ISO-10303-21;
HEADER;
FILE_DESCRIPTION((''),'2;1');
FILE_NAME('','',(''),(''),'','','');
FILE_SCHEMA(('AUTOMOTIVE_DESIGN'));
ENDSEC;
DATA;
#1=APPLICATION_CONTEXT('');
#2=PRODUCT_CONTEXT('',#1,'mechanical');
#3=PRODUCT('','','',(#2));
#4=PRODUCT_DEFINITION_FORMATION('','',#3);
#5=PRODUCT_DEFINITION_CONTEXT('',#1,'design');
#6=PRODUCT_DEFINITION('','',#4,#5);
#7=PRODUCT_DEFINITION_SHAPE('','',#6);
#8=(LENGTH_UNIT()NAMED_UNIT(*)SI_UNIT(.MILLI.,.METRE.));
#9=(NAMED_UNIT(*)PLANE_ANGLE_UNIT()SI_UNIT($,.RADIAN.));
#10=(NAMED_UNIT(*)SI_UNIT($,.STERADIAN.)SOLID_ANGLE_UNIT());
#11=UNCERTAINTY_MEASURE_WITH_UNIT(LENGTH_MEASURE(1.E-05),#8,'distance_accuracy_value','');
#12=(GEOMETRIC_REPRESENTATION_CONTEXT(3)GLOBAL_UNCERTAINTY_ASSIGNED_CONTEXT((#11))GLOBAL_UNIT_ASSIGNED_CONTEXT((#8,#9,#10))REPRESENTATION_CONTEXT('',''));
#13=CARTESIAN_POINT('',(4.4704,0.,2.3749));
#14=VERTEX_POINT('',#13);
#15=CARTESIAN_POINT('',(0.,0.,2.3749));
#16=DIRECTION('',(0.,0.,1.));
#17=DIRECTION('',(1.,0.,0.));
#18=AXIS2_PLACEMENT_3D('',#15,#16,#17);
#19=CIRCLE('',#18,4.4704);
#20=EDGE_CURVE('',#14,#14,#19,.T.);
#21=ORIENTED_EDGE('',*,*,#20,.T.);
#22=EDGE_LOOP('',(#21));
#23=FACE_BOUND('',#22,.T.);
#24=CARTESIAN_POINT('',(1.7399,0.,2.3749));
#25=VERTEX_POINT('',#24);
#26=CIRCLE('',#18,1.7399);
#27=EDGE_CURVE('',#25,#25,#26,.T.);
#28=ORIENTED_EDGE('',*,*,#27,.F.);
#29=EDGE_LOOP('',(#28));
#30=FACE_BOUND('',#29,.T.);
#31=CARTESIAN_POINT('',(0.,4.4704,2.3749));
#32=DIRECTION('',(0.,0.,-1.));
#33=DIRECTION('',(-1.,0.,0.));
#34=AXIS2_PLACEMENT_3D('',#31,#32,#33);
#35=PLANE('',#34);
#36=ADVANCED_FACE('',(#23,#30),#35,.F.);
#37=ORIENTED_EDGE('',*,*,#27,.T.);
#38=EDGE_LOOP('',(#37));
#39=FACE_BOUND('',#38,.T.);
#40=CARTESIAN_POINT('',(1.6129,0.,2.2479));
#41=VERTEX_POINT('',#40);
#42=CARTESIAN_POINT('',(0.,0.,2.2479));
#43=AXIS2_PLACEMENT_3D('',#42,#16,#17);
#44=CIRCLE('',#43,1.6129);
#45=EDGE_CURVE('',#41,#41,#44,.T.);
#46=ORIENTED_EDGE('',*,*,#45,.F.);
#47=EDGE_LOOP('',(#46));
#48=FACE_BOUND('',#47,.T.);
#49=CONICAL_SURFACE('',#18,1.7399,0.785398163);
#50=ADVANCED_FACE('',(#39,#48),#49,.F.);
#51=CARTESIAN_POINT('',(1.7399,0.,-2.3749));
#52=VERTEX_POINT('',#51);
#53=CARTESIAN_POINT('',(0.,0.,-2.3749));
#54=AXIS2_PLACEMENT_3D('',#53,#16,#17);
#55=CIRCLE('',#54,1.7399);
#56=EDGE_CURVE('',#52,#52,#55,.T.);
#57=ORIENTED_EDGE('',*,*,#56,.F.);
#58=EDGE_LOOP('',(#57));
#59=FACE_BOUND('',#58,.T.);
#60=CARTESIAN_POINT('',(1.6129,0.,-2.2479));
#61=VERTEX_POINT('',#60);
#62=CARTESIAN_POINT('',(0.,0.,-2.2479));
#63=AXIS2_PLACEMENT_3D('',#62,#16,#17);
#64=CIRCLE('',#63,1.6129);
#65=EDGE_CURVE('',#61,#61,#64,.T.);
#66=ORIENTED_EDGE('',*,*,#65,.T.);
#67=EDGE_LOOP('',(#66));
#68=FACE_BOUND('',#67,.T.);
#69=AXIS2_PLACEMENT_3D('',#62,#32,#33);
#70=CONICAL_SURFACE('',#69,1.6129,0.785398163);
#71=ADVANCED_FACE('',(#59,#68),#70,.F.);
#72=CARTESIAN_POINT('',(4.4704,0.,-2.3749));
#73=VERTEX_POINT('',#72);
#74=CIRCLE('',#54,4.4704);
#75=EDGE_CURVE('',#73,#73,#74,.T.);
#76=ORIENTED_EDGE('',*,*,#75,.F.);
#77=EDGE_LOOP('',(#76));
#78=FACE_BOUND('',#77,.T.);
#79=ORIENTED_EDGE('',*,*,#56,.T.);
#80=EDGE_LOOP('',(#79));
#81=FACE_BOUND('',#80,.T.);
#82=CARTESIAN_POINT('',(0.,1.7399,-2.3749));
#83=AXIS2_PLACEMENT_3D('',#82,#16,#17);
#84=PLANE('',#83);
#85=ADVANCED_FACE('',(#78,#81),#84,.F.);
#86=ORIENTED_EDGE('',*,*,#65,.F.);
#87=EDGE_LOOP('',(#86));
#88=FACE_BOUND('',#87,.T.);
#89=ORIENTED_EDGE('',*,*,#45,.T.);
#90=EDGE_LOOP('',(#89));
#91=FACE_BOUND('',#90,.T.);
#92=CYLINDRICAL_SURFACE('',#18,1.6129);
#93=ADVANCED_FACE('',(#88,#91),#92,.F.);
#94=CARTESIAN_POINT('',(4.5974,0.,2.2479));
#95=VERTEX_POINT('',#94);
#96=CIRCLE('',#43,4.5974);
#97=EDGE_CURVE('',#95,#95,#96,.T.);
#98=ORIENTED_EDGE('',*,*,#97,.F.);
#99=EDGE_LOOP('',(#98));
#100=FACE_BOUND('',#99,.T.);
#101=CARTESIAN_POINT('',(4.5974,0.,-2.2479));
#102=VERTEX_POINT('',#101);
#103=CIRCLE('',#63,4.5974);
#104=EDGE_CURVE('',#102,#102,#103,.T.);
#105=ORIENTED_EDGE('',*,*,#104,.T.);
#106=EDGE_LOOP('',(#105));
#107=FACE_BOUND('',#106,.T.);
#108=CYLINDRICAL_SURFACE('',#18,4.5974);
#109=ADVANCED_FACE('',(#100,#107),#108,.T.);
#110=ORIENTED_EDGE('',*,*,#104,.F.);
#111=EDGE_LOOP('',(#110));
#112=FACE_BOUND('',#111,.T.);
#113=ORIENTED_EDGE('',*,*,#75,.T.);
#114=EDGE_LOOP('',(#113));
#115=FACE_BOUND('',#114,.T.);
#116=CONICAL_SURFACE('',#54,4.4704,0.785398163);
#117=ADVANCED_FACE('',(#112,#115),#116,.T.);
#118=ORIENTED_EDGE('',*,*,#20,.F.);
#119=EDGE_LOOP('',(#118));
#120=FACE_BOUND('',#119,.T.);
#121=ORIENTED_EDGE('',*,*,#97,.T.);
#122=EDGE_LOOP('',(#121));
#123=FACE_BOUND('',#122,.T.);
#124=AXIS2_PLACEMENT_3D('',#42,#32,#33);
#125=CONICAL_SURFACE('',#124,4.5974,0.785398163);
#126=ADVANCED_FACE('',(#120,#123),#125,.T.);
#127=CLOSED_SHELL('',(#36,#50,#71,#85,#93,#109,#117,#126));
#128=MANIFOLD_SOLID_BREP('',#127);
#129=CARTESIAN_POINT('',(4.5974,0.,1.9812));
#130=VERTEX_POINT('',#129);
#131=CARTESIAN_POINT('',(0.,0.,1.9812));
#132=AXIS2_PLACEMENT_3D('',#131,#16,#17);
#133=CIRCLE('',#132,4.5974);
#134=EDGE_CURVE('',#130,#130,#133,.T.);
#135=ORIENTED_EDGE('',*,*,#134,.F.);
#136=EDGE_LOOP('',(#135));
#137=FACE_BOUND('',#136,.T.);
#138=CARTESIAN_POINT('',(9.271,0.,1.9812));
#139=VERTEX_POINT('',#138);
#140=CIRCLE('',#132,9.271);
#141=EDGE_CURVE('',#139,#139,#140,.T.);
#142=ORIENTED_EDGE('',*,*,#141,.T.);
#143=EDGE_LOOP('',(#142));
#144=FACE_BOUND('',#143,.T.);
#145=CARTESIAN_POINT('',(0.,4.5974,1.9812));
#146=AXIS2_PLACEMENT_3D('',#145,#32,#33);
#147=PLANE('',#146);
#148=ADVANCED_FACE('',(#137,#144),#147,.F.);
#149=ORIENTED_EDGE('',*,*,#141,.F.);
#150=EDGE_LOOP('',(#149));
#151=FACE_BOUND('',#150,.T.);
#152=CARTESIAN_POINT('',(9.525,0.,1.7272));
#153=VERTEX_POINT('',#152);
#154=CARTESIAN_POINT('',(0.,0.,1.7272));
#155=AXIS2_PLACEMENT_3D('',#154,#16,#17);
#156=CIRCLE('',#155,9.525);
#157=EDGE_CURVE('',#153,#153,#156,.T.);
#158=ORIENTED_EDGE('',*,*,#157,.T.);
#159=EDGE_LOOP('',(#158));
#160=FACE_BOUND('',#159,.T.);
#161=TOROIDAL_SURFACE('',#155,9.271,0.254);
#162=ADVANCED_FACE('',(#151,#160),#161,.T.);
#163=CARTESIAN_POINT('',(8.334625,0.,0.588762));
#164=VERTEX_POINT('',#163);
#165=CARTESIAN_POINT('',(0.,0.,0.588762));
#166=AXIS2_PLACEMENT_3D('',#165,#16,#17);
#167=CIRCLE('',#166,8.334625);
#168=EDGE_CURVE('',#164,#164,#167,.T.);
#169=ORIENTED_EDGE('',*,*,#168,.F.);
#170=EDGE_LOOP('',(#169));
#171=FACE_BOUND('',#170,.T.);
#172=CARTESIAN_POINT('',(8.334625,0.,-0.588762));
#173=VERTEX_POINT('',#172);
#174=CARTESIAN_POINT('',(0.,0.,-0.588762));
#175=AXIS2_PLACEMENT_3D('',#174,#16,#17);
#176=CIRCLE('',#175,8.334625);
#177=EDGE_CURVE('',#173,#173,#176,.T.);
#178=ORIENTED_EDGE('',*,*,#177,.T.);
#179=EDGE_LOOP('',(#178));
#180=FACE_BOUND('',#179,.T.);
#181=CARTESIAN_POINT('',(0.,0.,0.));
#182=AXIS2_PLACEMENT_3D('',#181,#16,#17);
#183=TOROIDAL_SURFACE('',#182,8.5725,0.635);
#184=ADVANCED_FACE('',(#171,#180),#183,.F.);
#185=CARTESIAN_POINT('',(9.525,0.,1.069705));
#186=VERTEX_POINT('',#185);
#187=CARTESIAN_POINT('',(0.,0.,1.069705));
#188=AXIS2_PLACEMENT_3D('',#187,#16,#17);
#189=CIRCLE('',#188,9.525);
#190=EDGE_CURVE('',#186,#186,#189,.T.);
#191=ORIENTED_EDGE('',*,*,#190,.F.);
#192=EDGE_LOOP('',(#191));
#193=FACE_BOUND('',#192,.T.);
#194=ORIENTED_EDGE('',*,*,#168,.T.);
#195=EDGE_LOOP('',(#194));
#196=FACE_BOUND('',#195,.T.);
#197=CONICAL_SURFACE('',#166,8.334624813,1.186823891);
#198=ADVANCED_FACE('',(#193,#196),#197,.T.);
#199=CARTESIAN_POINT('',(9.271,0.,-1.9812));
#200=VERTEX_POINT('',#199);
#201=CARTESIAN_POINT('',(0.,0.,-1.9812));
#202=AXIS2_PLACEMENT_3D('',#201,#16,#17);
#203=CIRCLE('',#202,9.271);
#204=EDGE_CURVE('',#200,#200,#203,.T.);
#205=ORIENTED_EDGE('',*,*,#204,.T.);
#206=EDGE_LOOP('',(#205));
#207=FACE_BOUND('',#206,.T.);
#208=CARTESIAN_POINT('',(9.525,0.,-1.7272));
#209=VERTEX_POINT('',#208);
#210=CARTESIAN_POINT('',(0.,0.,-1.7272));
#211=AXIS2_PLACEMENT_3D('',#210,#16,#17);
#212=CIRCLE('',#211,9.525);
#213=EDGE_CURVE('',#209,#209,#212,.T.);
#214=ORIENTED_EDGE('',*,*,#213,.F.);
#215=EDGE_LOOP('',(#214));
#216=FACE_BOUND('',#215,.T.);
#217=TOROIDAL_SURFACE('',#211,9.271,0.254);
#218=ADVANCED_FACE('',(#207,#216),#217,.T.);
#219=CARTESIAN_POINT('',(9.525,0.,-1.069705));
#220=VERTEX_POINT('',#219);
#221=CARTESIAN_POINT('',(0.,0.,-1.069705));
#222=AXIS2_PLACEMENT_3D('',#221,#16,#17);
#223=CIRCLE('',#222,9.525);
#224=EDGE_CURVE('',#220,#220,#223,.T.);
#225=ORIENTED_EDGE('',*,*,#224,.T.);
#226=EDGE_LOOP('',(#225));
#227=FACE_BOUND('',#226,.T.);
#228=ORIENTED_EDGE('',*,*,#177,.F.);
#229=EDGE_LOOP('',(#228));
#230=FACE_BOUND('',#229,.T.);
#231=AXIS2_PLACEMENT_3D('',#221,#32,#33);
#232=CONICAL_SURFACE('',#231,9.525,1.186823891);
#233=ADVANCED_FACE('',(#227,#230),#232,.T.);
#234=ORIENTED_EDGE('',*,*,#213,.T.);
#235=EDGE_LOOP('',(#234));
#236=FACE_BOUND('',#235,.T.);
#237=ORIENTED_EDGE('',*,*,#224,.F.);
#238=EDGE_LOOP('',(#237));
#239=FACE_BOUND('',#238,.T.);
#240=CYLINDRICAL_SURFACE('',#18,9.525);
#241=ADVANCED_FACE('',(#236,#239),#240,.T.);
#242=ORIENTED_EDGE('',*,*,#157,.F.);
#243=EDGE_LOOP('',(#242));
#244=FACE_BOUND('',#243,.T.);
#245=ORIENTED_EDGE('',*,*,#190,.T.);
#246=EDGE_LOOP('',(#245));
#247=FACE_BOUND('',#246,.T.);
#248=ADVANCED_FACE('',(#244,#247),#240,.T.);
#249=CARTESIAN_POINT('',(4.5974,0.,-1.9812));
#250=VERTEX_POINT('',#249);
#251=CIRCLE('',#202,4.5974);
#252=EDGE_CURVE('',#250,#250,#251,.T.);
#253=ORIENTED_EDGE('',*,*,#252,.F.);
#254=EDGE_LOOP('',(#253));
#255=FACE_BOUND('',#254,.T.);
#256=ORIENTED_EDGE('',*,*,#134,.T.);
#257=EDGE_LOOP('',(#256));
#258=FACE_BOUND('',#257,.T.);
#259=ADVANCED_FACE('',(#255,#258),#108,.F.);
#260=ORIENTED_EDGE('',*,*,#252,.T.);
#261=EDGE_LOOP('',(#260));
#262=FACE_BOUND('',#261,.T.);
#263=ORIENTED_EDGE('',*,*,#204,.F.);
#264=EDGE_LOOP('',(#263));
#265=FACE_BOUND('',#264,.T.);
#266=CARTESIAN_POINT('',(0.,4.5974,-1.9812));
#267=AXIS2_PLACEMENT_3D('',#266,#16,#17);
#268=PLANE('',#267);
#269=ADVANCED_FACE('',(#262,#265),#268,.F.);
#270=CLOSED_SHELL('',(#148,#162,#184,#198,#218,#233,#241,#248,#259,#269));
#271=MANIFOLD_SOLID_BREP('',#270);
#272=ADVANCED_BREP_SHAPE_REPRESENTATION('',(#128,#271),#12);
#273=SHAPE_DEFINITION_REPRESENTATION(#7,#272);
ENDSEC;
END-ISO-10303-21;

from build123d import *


with BuildPart() as part:
    # Sketch2 → Bushing Revolve (revolve)
    with BuildSketch(Plane(origin=(0, 0, 0), x_dir=(0, 0, -1), z_dir=(1, 0, 0)), mode=Mode.PRIVATE) as bushing_revolve_sk:
        Polygon((-2.3749, 4.4704), (-2.3749, 1.7399), (-2.2479, 1.6129), (2.2479, 1.6129), (2.3749, 1.7399), (2.3749, 4.4704), (2.2479, 4.5974), (-2.2479, 4.5974), align=None)
    revolve(bushing_revolve_sk.sketch.rotate(Axis((0, 0, 2.3749), (0, 0, -1)), 90), axis=Axis((0, 0, 2.3749), (0, 0, -1)))


with BuildPart() as body_2:
    # Sketch3 → Sheave Revolve (revolve)
    with BuildSketch(Plane(origin=(0, 0, 0), x_dir=(0, 0, -1), z_dir=(1, 0, 0)), mode=Mode.PRIVATE) as sheave_revolve_sk:
        with BuildLine():
            Line((1.9812, 4.5974), (-1.9812, 4.5974))
            Line((-1.9812, 4.5974), (-1.9812, 9.271))
            ThreePointArc((-1.9812, 9.271), (-1.906805122, 9.450605122), (-1.7272, 9.525))
            Line((-1.7272, 9.525), (-1.069704542, 9.525))
            Line((-1.069704542, 9.525), (-0.588761748, 8.334624813))
            ThreePointArc((-0.588761748, 8.334624813), (0, 7.9375), (0.588761748, 8.334624813))
            Line((0.588761748, 8.334624813), (1.069704542, 9.525))
            Line((1.069704542, 9.525), (1.7272, 9.525))
            ThreePointArc((1.7272, 9.525), (1.906805122, 9.450605122), (1.9812, 9.271))
            Line((1.9812, 9.271), (1.9812, 4.5974))
        make_face()
    revolve(sheave_revolve_sk.sketch.rotate(Axis((0, 0, 2.3749), (0, 0, -1)), 90), axis=Axis((0, 0, 2.3749), (0, 0, -1)))


solid = Compound([part.part, body_2.part])
